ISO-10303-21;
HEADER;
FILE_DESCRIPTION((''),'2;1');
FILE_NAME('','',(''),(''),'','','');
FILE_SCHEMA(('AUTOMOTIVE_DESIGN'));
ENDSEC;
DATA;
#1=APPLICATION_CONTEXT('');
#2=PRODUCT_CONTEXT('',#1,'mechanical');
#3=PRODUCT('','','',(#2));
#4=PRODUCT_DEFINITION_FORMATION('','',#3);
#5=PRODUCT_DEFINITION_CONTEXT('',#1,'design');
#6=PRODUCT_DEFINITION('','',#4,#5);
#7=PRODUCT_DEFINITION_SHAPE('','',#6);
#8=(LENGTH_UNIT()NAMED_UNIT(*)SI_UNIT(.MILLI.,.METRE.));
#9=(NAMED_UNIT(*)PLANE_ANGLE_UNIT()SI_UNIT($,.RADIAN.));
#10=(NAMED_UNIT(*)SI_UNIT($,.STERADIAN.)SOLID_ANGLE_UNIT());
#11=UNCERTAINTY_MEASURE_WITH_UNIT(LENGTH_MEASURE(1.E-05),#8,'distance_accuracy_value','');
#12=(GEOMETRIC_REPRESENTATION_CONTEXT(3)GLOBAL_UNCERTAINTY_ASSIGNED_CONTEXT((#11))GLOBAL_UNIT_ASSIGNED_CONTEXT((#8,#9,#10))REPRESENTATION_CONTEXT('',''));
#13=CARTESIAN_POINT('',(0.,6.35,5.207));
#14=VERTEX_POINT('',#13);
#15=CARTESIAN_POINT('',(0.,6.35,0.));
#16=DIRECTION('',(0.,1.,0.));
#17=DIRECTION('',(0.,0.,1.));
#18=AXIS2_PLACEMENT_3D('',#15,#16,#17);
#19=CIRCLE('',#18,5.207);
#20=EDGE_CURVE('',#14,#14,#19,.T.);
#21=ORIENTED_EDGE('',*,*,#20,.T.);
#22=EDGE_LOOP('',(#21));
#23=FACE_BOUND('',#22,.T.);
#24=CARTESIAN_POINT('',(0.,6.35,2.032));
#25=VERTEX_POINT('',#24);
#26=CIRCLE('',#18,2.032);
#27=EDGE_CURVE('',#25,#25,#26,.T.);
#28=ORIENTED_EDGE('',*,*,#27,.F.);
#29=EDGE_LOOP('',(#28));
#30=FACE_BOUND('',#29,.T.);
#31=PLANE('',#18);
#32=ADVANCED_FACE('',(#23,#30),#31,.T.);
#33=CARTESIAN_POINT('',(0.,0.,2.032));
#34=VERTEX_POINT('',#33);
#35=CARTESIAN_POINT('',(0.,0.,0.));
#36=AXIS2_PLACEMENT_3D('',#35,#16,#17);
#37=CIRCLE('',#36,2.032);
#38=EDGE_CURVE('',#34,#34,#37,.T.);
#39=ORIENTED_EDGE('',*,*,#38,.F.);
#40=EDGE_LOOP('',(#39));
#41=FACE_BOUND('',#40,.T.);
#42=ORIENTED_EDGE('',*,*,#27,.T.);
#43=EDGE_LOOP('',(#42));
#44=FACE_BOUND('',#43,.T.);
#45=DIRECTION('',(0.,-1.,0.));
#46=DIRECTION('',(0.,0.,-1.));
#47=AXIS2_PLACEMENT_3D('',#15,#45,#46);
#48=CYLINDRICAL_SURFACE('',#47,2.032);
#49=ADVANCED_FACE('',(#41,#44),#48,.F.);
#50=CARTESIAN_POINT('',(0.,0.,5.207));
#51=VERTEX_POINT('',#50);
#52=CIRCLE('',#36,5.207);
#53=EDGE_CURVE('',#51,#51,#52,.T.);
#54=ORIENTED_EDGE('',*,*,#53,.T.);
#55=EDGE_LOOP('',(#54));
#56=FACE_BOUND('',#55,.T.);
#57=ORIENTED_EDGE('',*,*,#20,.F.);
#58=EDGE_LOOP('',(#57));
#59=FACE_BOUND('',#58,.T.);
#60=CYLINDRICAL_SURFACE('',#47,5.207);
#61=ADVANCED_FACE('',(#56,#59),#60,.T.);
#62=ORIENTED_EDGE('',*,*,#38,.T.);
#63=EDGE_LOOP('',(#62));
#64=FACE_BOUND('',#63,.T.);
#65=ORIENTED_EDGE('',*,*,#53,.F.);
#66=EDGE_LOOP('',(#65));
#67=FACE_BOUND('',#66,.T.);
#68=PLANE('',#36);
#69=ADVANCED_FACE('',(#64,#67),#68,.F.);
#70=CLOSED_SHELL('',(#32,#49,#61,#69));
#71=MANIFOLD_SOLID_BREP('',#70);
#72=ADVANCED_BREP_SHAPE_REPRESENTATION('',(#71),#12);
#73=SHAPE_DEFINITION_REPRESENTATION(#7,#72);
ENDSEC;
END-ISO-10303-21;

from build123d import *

# Parameters (mm, degrees)
SKETCH1_R           = 5.207
SKETCH1_R_2         = 2.032
BOSS_EXTRUDE1_DEPTH = 6.35


with BuildPart() as part:
    # Sketch1 → Boss-Extrude1 (new body)
    with BuildSketch(Plane(origin=(0, 0, 0), x_dir=(1, 0, 0), z_dir=(0, 1, 0))):
        Circle(SKETCH1_R)
        Circle(SKETCH1_R_2, mode=Mode.SUBTRACT)
    extrude(amount=BOSS_EXTRUDE1_DEPTH)


solid = part.part
